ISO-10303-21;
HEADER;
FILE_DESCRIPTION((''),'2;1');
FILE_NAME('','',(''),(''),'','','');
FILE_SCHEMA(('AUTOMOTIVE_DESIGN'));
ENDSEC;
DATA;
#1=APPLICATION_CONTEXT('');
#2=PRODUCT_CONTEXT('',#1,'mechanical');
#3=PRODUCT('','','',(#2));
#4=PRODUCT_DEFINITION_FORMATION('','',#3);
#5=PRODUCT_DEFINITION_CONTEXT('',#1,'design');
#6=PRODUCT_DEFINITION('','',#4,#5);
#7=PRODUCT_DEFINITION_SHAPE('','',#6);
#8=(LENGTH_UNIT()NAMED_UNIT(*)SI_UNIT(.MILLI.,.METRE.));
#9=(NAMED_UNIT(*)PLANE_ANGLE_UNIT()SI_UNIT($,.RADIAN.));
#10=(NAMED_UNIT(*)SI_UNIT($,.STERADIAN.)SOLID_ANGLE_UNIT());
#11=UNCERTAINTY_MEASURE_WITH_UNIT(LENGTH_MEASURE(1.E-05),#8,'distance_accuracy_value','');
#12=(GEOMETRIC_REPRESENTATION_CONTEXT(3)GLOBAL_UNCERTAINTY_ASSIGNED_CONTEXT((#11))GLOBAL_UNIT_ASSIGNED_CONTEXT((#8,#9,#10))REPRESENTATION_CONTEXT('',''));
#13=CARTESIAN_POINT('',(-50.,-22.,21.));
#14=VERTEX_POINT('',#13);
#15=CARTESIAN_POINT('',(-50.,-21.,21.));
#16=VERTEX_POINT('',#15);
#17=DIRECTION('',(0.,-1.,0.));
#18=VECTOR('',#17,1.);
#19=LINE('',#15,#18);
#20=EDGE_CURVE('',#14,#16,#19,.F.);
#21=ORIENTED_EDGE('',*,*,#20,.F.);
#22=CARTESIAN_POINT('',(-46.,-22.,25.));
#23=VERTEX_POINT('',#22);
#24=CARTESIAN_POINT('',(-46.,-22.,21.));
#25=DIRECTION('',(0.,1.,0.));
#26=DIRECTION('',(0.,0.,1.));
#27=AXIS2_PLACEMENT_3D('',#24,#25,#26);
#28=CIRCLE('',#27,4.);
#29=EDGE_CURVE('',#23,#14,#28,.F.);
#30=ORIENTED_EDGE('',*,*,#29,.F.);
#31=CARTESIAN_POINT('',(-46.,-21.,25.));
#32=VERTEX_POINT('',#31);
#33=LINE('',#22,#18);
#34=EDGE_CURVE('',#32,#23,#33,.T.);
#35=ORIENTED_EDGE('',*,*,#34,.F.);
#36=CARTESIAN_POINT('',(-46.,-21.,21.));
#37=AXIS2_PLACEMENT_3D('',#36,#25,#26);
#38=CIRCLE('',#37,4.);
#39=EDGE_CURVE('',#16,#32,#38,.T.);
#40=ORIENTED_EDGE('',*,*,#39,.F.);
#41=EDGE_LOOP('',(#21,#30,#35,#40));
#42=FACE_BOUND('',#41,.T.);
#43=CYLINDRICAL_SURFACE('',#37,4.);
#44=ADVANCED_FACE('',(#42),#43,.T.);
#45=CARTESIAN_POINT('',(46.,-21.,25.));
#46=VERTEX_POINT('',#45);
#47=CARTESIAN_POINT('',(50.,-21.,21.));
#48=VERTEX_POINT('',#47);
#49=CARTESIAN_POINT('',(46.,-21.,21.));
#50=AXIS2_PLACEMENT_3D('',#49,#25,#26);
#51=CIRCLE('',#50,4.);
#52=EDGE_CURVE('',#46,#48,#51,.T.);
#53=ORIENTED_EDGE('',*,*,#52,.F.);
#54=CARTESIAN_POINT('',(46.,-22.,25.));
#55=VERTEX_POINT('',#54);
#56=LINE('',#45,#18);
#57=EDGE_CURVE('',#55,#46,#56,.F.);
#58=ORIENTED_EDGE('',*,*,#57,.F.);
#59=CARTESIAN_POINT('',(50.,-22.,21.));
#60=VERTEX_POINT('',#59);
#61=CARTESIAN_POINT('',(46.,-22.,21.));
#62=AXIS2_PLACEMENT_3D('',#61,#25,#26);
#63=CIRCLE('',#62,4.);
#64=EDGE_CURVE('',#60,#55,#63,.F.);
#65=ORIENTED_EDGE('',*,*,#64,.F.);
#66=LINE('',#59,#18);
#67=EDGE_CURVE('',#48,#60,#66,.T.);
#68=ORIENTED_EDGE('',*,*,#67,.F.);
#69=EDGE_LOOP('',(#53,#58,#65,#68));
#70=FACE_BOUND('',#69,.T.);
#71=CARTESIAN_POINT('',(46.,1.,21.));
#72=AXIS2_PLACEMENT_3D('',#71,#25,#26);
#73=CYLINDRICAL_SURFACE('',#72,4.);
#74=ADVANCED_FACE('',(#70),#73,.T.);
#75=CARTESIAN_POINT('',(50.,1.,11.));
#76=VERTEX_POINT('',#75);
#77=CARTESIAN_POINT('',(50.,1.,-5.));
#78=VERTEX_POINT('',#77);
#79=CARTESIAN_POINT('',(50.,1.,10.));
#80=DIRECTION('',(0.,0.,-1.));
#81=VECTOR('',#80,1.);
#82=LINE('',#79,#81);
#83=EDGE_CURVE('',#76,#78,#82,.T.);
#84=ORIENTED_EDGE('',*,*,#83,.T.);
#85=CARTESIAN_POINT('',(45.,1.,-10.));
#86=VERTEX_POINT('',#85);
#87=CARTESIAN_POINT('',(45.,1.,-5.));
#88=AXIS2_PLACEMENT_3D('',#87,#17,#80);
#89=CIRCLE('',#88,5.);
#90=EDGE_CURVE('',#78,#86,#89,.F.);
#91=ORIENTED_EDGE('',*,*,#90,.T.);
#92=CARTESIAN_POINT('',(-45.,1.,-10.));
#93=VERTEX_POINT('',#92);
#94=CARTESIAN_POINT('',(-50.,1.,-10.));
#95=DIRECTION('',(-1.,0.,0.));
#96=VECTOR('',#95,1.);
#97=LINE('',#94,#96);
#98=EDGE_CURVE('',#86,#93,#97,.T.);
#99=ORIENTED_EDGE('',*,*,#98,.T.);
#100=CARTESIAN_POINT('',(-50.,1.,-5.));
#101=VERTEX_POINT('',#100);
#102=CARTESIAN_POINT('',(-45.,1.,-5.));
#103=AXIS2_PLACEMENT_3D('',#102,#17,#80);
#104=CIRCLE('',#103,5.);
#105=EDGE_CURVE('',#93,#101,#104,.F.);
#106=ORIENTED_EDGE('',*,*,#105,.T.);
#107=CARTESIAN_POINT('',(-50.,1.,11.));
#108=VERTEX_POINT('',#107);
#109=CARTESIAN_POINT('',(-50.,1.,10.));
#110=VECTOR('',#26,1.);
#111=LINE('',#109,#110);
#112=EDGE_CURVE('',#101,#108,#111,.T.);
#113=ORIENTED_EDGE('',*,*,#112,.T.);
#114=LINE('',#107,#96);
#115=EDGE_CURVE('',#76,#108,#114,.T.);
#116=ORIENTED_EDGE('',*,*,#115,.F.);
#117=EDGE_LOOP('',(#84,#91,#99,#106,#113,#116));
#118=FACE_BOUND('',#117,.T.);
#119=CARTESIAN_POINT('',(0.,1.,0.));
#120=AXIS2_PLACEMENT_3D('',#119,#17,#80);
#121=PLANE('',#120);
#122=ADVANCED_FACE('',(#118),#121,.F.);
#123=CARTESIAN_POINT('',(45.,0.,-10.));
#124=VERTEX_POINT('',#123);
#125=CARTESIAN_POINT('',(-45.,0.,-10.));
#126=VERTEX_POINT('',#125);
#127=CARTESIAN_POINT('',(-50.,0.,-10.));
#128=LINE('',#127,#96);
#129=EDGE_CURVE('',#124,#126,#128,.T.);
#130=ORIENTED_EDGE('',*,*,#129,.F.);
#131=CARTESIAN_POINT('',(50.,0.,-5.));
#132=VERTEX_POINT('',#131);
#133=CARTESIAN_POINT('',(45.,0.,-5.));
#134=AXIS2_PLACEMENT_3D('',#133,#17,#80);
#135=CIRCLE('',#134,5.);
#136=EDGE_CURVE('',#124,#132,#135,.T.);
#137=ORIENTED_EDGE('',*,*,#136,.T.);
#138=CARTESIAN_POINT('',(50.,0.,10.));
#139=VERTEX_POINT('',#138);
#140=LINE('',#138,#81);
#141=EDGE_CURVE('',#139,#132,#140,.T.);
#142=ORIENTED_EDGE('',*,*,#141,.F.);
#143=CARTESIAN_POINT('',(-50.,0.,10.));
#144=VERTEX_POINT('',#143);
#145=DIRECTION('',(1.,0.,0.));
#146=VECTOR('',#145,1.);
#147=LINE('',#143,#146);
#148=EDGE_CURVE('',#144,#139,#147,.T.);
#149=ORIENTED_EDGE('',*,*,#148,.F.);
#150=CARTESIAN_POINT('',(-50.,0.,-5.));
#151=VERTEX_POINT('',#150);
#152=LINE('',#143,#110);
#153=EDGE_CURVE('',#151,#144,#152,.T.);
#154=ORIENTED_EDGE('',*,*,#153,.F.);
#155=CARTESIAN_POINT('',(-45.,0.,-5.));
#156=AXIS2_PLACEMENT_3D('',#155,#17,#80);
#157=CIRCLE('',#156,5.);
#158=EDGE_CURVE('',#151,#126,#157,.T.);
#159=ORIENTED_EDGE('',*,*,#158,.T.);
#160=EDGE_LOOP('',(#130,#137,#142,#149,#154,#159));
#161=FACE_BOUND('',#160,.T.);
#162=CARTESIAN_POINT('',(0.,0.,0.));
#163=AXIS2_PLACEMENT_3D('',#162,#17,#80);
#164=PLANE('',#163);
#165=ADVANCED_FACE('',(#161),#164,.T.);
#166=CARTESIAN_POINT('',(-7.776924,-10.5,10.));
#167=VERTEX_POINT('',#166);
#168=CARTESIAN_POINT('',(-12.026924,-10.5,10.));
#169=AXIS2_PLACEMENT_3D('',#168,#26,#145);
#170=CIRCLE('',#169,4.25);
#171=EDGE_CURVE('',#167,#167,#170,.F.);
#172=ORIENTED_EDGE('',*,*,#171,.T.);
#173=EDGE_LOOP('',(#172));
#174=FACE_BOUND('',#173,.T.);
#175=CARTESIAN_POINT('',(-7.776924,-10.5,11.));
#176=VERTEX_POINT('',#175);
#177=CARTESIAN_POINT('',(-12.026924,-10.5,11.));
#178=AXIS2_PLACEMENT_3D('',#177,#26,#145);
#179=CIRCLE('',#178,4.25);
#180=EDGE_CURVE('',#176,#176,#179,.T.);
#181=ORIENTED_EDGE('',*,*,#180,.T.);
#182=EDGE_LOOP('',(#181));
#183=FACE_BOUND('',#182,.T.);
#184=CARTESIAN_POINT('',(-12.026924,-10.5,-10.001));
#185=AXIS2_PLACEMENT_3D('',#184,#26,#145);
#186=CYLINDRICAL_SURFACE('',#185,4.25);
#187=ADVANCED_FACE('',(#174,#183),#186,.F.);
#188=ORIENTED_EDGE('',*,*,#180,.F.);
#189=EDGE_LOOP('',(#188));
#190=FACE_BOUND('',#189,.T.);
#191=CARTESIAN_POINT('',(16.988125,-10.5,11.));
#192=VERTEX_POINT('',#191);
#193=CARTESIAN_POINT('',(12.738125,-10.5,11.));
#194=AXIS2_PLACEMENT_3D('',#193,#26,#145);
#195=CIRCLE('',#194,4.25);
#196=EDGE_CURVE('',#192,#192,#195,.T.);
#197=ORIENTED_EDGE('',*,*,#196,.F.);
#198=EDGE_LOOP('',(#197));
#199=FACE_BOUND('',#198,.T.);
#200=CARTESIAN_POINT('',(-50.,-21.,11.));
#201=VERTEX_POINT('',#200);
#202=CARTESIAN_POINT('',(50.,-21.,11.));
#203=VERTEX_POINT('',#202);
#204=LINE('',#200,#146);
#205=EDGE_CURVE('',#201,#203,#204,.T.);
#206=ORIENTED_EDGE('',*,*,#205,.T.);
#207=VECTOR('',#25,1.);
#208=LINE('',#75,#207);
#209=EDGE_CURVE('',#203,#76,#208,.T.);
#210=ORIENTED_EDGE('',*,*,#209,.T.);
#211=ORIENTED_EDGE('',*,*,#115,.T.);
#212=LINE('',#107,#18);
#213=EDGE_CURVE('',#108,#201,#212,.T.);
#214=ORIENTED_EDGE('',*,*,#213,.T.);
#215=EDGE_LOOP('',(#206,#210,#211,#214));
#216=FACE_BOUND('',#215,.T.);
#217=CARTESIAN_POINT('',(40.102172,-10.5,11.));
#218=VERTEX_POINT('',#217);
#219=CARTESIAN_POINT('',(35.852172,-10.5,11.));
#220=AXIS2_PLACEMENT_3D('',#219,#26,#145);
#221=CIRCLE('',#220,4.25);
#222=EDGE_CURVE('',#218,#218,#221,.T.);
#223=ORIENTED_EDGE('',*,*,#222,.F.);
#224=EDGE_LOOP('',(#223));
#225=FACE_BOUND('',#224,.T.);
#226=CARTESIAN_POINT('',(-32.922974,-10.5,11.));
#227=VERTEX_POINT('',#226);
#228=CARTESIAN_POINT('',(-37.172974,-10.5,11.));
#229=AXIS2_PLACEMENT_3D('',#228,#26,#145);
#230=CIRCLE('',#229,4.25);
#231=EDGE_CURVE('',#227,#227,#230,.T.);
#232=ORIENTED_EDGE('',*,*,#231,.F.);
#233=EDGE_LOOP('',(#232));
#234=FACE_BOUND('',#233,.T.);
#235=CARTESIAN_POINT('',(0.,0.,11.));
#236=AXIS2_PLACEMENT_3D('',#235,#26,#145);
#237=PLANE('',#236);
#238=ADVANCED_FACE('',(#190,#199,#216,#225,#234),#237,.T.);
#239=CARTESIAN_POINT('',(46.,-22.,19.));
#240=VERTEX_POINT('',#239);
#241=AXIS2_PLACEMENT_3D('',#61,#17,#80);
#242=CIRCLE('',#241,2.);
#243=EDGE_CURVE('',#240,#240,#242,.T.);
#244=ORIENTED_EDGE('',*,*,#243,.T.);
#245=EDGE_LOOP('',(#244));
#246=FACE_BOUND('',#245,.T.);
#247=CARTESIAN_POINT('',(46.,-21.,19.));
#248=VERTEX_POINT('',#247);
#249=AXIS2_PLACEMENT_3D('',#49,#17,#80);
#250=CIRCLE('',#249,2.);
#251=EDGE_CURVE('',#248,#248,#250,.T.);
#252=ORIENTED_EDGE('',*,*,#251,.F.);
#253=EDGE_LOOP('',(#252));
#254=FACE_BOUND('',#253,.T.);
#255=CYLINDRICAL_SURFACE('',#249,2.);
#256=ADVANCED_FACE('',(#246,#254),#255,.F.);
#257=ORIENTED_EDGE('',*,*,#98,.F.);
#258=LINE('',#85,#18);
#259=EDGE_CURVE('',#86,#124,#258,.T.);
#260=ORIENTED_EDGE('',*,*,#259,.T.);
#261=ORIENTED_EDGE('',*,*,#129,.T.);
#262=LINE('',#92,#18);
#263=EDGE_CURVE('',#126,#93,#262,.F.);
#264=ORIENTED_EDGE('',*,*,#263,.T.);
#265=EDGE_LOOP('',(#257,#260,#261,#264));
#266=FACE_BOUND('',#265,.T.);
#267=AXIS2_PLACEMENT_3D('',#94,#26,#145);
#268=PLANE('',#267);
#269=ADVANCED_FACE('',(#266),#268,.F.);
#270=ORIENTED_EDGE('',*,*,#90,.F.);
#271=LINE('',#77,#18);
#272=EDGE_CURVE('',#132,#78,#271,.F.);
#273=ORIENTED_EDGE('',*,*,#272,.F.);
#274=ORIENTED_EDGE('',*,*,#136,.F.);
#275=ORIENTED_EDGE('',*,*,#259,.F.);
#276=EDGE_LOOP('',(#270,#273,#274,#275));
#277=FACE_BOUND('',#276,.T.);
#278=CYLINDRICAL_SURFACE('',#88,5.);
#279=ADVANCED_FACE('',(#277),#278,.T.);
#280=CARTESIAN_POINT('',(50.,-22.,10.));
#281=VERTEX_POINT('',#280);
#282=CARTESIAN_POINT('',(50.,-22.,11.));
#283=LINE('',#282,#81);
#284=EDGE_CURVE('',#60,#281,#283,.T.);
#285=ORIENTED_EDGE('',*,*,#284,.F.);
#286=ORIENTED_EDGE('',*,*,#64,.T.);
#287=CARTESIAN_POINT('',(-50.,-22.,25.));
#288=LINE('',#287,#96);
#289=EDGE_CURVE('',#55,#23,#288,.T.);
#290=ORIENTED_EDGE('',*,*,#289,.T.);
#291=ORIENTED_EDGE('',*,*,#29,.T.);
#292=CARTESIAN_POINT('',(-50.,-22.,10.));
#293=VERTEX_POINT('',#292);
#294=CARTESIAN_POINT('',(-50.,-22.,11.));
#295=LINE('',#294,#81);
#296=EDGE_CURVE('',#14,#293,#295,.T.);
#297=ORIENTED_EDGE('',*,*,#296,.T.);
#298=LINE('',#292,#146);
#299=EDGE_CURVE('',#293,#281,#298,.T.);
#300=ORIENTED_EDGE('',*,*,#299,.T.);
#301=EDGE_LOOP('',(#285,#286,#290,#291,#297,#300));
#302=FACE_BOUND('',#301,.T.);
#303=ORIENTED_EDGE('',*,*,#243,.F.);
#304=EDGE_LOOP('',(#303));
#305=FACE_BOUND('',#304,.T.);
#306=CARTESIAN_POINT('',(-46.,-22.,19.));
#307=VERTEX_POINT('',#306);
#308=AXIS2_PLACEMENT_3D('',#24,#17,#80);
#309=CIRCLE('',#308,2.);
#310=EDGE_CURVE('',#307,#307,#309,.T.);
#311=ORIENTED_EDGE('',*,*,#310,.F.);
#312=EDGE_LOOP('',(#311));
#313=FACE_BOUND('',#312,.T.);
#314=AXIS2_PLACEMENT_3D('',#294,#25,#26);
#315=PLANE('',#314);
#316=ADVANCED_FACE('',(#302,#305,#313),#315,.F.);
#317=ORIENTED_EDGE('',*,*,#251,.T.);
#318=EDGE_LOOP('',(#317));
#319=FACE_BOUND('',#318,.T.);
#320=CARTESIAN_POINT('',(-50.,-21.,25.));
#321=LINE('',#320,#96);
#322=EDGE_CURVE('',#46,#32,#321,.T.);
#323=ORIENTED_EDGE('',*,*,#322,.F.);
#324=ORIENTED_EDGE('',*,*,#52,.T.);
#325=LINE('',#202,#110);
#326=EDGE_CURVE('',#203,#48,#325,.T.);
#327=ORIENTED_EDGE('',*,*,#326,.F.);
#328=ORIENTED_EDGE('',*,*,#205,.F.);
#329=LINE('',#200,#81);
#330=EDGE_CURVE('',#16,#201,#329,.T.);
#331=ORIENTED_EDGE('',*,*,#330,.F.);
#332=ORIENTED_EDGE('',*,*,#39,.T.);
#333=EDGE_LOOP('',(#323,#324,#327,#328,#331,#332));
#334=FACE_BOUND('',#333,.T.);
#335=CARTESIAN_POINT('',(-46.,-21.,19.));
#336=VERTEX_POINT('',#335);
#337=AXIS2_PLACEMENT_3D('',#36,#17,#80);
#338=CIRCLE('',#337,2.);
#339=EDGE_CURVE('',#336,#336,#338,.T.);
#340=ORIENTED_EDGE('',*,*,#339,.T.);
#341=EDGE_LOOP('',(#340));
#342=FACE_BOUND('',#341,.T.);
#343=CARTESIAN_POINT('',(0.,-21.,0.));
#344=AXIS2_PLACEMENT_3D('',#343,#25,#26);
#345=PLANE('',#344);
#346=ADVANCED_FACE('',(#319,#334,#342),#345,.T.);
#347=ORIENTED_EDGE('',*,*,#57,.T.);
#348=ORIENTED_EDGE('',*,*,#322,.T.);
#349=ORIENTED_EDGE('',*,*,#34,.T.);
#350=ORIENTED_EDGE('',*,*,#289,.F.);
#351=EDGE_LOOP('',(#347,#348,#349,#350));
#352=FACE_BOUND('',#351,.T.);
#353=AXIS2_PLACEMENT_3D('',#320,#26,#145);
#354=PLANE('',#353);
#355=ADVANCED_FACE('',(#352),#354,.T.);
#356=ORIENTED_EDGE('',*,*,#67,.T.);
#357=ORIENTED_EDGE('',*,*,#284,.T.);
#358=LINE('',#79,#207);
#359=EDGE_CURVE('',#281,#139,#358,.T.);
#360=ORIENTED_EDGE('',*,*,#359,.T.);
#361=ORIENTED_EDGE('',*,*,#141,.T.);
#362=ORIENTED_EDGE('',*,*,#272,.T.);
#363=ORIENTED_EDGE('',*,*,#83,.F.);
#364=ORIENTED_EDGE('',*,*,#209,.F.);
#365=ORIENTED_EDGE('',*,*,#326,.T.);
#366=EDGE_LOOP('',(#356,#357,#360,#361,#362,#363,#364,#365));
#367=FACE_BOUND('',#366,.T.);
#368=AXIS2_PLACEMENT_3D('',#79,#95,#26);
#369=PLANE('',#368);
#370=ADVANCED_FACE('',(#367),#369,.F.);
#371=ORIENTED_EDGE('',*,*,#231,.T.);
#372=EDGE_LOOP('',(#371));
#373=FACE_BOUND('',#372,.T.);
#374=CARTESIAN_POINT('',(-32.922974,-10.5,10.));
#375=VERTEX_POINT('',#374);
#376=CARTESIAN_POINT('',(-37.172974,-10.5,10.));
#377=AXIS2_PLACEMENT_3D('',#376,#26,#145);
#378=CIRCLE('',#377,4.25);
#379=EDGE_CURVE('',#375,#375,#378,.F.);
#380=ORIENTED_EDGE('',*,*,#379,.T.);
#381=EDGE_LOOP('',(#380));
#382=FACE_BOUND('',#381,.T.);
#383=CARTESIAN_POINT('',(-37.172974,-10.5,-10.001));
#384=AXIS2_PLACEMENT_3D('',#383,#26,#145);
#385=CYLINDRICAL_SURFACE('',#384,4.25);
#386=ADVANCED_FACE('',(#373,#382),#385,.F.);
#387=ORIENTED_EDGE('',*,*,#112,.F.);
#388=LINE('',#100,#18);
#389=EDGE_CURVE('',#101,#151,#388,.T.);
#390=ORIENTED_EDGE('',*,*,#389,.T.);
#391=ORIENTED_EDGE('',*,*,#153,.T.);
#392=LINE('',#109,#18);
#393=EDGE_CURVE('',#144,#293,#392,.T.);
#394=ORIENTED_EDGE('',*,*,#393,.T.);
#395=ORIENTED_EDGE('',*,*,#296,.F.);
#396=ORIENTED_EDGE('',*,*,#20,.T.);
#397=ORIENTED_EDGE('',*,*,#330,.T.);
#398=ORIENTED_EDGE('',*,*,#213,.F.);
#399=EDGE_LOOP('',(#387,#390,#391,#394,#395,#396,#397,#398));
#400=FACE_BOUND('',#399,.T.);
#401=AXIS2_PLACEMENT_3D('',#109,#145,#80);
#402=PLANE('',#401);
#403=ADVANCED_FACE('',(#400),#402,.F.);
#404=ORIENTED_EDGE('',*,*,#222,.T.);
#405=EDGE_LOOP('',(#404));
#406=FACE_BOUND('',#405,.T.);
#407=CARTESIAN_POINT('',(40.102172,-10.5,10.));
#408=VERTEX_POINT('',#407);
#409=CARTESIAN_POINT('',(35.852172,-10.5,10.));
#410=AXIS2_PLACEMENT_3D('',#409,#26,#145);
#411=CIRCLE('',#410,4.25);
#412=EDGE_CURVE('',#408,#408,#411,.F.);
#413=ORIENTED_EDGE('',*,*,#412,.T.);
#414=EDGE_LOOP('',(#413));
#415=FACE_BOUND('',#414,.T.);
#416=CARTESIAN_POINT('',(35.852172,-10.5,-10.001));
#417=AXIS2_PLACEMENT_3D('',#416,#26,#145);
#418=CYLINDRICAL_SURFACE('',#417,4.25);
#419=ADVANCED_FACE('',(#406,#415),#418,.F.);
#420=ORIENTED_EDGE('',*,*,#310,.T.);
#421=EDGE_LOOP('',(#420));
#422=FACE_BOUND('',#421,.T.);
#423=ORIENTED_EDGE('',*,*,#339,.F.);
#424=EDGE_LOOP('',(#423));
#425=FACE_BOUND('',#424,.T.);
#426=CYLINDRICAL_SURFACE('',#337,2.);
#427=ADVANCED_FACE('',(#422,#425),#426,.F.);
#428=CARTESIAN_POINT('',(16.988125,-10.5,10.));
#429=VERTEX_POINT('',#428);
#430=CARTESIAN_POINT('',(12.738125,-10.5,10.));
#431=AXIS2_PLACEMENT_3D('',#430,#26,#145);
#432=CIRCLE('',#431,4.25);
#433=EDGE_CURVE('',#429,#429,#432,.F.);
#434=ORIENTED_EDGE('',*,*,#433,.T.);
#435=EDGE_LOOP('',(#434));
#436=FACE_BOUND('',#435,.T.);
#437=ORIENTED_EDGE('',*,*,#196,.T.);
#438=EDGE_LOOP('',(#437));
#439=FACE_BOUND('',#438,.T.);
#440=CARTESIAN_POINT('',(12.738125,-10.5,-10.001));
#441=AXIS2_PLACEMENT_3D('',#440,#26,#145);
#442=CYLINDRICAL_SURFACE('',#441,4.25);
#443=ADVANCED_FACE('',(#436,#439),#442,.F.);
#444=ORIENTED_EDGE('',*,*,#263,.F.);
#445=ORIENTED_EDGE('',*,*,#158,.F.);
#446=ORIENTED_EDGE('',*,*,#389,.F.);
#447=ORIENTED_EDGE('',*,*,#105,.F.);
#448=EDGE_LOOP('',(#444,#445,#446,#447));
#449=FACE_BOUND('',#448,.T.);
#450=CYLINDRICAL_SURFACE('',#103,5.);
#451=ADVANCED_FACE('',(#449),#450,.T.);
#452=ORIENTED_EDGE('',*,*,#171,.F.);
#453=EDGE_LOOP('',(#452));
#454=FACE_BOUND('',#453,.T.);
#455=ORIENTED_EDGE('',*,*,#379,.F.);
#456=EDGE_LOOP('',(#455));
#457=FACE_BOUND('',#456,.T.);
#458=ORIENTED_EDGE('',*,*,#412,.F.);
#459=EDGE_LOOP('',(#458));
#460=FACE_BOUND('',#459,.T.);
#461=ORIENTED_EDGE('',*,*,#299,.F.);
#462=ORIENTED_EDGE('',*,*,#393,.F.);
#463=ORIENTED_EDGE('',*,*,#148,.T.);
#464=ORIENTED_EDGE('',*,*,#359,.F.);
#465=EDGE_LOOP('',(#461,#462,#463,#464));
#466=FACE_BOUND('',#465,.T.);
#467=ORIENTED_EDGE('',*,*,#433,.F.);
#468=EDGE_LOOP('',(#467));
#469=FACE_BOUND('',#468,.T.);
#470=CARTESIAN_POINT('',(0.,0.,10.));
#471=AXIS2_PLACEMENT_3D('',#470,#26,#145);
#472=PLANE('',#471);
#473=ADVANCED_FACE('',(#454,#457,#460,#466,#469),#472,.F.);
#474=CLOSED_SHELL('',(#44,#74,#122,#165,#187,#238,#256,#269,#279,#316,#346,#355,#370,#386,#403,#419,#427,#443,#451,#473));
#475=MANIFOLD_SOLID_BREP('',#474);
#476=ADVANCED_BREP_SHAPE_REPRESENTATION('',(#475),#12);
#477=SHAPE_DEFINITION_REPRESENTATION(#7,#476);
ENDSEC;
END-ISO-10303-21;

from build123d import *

# Parameters (mm, degrees)
SKETCH1_W           = 100
SKETCH1_H           = 20
BOSS_EXTRUDE1_DEPTH = 1
SKETCH3_W           = 100
SKETCH3_H           = 23
BOSS_EXTRUDE2_DEPTH = 1
SKETCH4_W           = 100
SKETCH4_H           = 14
SKETCH4_R           = 2
BOSS_EXTRUDE3_DEPTH = 1
FILLET1_R           = 4
CUT_EXTRUDE2_REACH  = 60.523
SKETCH6_R           = 4.25
FILLET2_R           = 5


with BuildPart() as part:
    # Sketch1 → Boss-Extrude1 (new body)
    with BuildSketch(Plane(origin=(0, 0, 0), x_dir=(1, 0, 0), z_dir=(0, 1, 0))):
        Rectangle(SKETCH1_W, SKETCH1_H)
    extrude(amount=BOSS_EXTRUDE1_DEPTH)

    # Sketch3 → Boss-Extrude2 (add)
    with BuildSketch(Plane.XY.offset(10)):
        with Locations((0, -10.5)):
            Rectangle(SKETCH3_W, SKETCH3_H)
    extrude(amount=BOSS_EXTRUDE2_DEPTH)

    # Sketch4 → Boss-Extrude3 (add)
    with BuildSketch(Plane.XZ.offset(22)):
        with Locations((0, 18)):
            Rectangle(SKETCH4_W, SKETCH4_H)
        with Locations(Location((46, 21, 0), (0, 0, 270))):
            Circle(SKETCH4_R, mode=Mode.SUBTRACT)
        with Locations(Location((-46, 21, 0), (0, 0, 270))):
            Circle(SKETCH4_R, mode=Mode.SUBTRACT)
    extrude(amount=-BOSS_EXTRUDE3_DEPTH)

    # Fillet1
    fillet1_edges = [part.edges().sort_by_distance(p)[0] for p in [
        (-50, -21.5, 25),
        (50, -21.5, 25),
    ]]
    fillet(fillet1_edges, radius=FILLET1_R)

    # Sketch6 → Cut-Extrude2 (cut, up to next)
    with BuildSketch(Plane.XY.offset(11), mode=Mode.PRIVATE) as cut_extrude2_sk1:
        with Locations((-37.172974346, -10.5)):
            Circle(SKETCH6_R)
    cut_extrude2_tool1 = extrude(cut_extrude2_sk1.sketch, amount=-CUT_EXTRUDE2_REACH, mode=Mode.PRIVATE) & part.part
    # Sketch6 → Cut-Extrude2 (cut, up to next)
    with BuildSketch(Plane.XY.offset(11), mode=Mode.PRIVATE) as cut_extrude2_sk2:
        with Locations((-12.026924054, -10.5)):
            Circle(SKETCH6_R)
    cut_extrude2_tool2 = extrude(cut_extrude2_sk2.sketch, amount=-CUT_EXTRUDE2_REACH, mode=Mode.PRIVATE) & part.part
    # Sketch6 → Cut-Extrude2 (cut, up to next)
    with BuildSketch(Plane.XY.offset(11), mode=Mode.PRIVATE) as cut_extrude2_sk3:
        with Locations((12.738125476, -10.5)):
            Circle(SKETCH6_R)
    cut_extrude2_tool3 = extrude(cut_extrude2_sk3.sketch, amount=-CUT_EXTRUDE2_REACH, mode=Mode.PRIVATE) & part.part
    # Sketch6 → Cut-Extrude2 (cut, up to next)
    with BuildSketch(Plane.XY.offset(11), mode=Mode.PRIVATE) as cut_extrude2_sk4:
        with Locations((35.852171704, -10.5)):
            Circle(SKETCH6_R)
    cut_extrude2_tool4 = extrude(cut_extrude2_sk4.sketch, amount=-CUT_EXTRUDE2_REACH, mode=Mode.PRIVATE) & part.part
    add(cut_extrude2_tool1.solids().sort_by_distance((-37.172974, -10.5, 11))[0], mode=Mode.SUBTRACT)
    add(cut_extrude2_tool2.solids().sort_by_distance((-12.026924, -10.5, 11))[0], mode=Mode.SUBTRACT)
    add(cut_extrude2_tool3.solids().sort_by_distance((12.738125, -10.5, 11))[0], mode=Mode.SUBTRACT)
    add(cut_extrude2_tool4.solids().sort_by_distance((35.852172, -10.5, 11))[0], mode=Mode.SUBTRACT)

    # Fillet2
    fillet2_edges = [part.edges().sort_by_distance(p)[0] for p in [
        (-50, 0.5, -10),
        (50, 0.5, -10),
    ]]
    fillet(fillet2_edges, radius=FILLET2_R)


solid = part.part
